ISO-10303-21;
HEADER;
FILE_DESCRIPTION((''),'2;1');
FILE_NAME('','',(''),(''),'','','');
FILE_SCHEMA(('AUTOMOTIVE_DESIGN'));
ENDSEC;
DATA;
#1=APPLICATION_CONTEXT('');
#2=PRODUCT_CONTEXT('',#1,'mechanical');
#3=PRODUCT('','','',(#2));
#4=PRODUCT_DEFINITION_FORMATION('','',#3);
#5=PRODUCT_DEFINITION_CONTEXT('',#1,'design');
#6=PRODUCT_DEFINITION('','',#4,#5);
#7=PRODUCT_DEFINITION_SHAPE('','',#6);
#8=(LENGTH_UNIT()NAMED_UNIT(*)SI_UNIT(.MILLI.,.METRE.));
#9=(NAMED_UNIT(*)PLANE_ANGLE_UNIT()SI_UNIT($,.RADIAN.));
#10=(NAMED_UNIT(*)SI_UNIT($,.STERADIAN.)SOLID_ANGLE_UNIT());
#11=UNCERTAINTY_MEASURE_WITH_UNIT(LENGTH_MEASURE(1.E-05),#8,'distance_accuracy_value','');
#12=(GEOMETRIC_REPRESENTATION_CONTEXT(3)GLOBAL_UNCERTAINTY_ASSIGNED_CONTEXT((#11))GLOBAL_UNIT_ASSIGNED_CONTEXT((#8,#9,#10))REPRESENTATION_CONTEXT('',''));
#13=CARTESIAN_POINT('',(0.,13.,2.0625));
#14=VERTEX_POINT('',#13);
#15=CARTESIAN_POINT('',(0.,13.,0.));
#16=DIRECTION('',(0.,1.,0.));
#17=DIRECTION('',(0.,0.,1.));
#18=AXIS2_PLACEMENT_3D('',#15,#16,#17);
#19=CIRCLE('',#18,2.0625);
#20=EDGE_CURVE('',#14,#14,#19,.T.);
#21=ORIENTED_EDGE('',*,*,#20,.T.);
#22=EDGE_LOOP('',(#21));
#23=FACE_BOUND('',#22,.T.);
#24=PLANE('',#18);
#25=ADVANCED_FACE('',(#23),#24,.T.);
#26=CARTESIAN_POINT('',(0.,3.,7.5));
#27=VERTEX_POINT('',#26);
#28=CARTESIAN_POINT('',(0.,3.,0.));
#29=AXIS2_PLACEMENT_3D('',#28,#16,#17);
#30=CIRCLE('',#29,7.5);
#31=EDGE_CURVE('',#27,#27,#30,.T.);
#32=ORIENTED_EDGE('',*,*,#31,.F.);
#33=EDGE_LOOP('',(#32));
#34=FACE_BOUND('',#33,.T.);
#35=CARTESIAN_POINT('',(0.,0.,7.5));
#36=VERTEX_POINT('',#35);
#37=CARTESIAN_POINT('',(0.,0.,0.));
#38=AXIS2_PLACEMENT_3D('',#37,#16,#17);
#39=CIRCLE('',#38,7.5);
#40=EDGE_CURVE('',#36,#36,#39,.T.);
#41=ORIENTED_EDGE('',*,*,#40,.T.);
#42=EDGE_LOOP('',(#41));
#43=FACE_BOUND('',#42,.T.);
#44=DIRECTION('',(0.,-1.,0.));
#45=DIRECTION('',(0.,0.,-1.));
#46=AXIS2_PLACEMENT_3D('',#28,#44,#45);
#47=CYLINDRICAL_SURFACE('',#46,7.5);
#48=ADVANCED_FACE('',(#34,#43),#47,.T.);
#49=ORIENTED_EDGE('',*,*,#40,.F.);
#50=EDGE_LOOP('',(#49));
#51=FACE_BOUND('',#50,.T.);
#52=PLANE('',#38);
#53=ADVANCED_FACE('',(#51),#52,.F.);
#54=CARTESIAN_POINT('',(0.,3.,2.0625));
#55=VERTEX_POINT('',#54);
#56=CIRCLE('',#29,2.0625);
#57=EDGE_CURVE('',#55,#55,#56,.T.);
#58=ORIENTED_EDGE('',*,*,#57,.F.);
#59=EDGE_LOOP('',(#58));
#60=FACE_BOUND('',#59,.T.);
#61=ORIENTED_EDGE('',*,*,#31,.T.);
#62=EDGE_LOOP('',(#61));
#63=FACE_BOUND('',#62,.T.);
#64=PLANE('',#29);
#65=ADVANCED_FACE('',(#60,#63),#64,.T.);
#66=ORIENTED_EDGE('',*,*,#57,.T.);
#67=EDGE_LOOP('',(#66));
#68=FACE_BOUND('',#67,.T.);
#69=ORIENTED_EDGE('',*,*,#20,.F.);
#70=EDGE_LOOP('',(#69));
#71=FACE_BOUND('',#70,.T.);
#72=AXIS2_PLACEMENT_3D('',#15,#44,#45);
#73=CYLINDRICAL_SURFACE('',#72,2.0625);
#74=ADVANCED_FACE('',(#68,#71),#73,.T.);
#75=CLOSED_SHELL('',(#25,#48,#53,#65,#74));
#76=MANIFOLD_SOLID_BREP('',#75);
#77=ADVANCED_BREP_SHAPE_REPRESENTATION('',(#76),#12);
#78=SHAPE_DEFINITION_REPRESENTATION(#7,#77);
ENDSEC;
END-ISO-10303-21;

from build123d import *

# Parameters (mm, degrees)
SKETCH_1_R      = 7.5
EXTRUDE_1_DEPTH = 3
SKETCH_2_R      = 2.0625
EXTRUDE_2_DEPTH = 10


with BuildPart() as part:
    # 스케치1 → 보스-돌출1 (new body)
    with BuildSketch(Plane(origin=(0, 0, 0), x_dir=(1, 0, 0), z_dir=(0, 1, 0))):
        with Locations(Location((0, 0, 0), (0, 0, 270))):
            Circle(SKETCH_1_R)
    extrude(amount=EXTRUDE_1_DEPTH)

    # 스케치2 → 보스-돌출2 (add)
    with BuildSketch(Plane(origin=(0, 3, 0), x_dir=(1, 0, 0), z_dir=(0, 1, 0))):
        with Locations(Location((0, 0, 0), (0, 0, 270))):
            Circle(SKETCH_2_R)
    extrude(amount=EXTRUDE_2_DEPTH)


solid = part.part
